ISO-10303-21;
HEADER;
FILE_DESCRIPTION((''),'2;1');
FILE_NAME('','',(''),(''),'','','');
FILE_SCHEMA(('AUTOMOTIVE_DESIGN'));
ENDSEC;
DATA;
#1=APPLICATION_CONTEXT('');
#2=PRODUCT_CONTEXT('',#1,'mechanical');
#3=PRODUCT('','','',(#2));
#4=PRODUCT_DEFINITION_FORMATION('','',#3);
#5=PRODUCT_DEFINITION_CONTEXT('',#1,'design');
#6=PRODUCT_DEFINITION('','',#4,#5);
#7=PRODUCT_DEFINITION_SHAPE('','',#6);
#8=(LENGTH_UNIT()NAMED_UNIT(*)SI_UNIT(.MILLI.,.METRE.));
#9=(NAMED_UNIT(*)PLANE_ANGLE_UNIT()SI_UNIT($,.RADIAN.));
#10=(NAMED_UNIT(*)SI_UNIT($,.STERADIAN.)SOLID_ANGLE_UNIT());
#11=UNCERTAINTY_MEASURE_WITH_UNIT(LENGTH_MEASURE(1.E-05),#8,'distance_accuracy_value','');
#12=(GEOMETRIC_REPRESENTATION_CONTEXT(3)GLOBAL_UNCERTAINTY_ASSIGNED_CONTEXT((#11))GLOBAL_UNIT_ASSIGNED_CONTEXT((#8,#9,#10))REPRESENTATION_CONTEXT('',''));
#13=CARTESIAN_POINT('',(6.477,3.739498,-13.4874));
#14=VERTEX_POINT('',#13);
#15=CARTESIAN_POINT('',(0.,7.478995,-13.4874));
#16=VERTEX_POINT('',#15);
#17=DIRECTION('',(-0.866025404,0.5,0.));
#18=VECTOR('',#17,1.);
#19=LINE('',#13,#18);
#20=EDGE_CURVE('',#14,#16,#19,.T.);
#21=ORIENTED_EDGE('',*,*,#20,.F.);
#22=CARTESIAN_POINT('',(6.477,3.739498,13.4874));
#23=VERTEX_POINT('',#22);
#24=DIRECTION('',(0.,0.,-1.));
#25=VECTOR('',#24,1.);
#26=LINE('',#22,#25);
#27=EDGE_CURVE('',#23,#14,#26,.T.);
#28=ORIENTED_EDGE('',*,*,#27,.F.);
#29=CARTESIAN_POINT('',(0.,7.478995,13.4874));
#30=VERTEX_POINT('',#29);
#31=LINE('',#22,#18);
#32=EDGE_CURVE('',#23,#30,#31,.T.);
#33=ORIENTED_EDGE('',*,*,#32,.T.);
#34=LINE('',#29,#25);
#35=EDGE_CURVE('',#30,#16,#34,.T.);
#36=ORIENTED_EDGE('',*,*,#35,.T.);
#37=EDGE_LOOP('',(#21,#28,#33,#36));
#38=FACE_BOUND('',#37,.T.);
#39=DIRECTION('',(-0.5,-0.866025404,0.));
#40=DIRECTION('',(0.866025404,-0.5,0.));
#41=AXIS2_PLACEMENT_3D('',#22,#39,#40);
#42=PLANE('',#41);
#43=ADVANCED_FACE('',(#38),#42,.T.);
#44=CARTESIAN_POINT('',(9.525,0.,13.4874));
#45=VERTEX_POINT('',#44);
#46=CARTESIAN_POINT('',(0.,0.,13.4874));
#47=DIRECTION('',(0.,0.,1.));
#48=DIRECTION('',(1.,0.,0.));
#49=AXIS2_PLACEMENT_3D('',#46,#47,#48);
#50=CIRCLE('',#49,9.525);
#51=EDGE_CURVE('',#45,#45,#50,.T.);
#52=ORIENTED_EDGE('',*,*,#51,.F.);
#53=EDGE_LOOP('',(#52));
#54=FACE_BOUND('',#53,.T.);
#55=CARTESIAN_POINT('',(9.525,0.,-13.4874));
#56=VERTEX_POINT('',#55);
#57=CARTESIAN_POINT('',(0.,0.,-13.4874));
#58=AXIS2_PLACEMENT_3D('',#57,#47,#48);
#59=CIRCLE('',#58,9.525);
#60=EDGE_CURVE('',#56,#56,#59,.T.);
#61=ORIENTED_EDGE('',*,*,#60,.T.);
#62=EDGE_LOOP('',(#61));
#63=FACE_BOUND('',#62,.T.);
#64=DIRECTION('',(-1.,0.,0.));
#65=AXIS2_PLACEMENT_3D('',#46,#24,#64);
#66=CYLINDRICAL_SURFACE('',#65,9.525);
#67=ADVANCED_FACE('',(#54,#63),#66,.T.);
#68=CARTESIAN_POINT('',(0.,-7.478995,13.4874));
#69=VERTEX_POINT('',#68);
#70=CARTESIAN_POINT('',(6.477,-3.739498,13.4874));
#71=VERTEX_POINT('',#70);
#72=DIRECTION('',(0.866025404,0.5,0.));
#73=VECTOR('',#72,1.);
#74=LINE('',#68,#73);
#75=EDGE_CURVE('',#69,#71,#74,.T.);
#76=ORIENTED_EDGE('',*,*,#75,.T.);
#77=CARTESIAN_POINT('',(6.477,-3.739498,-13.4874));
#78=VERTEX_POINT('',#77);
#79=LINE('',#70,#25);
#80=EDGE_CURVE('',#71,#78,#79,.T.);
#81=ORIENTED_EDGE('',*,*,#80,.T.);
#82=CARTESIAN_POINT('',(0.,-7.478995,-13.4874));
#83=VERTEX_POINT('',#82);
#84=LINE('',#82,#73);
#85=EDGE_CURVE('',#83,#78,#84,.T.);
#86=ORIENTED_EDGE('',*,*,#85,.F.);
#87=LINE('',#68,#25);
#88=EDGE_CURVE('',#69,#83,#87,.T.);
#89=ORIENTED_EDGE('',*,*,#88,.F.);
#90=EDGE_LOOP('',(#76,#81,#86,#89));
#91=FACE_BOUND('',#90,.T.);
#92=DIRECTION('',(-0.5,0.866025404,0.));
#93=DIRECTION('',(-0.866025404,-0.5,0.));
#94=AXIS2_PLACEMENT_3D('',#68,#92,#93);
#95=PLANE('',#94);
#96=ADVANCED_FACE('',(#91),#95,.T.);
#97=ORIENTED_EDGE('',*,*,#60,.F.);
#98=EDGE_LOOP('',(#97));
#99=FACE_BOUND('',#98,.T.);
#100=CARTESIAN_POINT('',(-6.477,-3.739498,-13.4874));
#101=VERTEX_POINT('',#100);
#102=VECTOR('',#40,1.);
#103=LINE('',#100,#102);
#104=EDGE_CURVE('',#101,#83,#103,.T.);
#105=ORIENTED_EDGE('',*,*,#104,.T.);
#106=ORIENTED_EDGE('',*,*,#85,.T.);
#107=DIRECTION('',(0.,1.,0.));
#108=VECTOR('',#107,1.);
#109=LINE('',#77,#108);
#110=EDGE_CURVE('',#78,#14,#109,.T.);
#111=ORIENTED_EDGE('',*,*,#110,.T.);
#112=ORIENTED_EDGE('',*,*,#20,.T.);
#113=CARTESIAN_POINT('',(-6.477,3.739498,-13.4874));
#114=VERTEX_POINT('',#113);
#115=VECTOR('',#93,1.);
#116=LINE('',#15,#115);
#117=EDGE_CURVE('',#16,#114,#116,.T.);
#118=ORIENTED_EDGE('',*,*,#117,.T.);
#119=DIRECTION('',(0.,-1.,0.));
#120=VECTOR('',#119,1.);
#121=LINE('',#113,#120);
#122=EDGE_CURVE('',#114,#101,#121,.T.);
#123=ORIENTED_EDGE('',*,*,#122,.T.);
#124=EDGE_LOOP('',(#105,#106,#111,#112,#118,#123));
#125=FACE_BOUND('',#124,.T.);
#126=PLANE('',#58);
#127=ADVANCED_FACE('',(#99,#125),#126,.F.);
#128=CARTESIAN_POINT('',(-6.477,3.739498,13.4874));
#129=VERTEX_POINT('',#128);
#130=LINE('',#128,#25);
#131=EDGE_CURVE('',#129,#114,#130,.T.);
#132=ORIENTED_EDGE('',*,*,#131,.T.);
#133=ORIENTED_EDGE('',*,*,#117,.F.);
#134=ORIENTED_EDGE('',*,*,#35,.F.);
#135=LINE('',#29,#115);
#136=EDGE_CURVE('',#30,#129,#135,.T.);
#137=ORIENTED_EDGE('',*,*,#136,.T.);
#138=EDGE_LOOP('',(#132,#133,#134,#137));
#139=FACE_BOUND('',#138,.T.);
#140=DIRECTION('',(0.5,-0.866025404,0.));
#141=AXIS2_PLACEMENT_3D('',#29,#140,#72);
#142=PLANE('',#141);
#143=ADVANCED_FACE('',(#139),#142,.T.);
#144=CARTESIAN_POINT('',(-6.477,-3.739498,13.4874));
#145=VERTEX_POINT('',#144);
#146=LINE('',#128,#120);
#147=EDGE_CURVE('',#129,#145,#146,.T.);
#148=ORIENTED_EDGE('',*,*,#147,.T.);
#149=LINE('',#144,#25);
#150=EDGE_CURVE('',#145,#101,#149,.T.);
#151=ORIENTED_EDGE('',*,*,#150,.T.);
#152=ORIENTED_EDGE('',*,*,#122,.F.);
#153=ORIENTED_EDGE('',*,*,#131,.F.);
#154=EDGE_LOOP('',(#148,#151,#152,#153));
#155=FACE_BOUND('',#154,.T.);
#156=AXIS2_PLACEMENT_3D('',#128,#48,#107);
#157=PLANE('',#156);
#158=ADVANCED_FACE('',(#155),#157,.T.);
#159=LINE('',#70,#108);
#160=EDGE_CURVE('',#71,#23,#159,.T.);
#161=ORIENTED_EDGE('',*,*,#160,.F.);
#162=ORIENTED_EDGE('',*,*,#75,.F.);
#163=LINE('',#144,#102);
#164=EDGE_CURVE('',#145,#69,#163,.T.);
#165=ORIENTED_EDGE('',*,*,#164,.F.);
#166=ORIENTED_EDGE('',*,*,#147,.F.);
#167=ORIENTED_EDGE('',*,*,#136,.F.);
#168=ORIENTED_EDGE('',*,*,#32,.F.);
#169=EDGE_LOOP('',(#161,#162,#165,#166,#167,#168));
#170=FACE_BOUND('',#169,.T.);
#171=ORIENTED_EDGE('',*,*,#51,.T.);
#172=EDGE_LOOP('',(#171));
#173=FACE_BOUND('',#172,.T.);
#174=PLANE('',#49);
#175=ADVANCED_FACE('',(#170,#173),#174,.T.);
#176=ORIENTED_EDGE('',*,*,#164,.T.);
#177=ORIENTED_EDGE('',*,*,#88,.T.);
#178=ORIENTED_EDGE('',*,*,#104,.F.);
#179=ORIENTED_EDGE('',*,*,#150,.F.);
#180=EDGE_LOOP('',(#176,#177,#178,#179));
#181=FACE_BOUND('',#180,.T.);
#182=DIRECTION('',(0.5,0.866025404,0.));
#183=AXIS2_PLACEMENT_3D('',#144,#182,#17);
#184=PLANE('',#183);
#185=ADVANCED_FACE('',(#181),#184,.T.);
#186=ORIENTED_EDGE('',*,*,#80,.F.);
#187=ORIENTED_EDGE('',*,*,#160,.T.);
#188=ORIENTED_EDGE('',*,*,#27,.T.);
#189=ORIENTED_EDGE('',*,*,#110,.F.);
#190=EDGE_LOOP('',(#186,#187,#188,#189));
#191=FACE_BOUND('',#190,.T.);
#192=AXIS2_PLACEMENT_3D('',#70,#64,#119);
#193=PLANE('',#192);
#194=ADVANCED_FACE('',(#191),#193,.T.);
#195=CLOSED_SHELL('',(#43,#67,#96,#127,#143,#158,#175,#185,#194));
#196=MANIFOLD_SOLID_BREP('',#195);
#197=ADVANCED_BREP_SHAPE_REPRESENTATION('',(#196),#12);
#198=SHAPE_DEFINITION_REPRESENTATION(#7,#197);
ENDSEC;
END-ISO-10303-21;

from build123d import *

# Parameters (mm, degrees)
SKETCH1_R           = 9.525
BOSS_EXTRUDE1_DEPTH = 13.4874


with BuildPart() as part:
    # Sketch1 → Boss-Extrude1 (new, symmetric)
    with BuildSketch(Plane.XY):
        Circle(SKETCH1_R)
        Polygon((0, 7.478995387), (-6.477, 3.739497694), (-6.477, -3.739497694), (0, -7.478995387), (6.477, -3.739497694), (6.477, 3.739497694), align=None, mode=Mode.SUBTRACT)
    extrude(amount=BOSS_EXTRUDE1_DEPTH, both=True)


solid = part.part
